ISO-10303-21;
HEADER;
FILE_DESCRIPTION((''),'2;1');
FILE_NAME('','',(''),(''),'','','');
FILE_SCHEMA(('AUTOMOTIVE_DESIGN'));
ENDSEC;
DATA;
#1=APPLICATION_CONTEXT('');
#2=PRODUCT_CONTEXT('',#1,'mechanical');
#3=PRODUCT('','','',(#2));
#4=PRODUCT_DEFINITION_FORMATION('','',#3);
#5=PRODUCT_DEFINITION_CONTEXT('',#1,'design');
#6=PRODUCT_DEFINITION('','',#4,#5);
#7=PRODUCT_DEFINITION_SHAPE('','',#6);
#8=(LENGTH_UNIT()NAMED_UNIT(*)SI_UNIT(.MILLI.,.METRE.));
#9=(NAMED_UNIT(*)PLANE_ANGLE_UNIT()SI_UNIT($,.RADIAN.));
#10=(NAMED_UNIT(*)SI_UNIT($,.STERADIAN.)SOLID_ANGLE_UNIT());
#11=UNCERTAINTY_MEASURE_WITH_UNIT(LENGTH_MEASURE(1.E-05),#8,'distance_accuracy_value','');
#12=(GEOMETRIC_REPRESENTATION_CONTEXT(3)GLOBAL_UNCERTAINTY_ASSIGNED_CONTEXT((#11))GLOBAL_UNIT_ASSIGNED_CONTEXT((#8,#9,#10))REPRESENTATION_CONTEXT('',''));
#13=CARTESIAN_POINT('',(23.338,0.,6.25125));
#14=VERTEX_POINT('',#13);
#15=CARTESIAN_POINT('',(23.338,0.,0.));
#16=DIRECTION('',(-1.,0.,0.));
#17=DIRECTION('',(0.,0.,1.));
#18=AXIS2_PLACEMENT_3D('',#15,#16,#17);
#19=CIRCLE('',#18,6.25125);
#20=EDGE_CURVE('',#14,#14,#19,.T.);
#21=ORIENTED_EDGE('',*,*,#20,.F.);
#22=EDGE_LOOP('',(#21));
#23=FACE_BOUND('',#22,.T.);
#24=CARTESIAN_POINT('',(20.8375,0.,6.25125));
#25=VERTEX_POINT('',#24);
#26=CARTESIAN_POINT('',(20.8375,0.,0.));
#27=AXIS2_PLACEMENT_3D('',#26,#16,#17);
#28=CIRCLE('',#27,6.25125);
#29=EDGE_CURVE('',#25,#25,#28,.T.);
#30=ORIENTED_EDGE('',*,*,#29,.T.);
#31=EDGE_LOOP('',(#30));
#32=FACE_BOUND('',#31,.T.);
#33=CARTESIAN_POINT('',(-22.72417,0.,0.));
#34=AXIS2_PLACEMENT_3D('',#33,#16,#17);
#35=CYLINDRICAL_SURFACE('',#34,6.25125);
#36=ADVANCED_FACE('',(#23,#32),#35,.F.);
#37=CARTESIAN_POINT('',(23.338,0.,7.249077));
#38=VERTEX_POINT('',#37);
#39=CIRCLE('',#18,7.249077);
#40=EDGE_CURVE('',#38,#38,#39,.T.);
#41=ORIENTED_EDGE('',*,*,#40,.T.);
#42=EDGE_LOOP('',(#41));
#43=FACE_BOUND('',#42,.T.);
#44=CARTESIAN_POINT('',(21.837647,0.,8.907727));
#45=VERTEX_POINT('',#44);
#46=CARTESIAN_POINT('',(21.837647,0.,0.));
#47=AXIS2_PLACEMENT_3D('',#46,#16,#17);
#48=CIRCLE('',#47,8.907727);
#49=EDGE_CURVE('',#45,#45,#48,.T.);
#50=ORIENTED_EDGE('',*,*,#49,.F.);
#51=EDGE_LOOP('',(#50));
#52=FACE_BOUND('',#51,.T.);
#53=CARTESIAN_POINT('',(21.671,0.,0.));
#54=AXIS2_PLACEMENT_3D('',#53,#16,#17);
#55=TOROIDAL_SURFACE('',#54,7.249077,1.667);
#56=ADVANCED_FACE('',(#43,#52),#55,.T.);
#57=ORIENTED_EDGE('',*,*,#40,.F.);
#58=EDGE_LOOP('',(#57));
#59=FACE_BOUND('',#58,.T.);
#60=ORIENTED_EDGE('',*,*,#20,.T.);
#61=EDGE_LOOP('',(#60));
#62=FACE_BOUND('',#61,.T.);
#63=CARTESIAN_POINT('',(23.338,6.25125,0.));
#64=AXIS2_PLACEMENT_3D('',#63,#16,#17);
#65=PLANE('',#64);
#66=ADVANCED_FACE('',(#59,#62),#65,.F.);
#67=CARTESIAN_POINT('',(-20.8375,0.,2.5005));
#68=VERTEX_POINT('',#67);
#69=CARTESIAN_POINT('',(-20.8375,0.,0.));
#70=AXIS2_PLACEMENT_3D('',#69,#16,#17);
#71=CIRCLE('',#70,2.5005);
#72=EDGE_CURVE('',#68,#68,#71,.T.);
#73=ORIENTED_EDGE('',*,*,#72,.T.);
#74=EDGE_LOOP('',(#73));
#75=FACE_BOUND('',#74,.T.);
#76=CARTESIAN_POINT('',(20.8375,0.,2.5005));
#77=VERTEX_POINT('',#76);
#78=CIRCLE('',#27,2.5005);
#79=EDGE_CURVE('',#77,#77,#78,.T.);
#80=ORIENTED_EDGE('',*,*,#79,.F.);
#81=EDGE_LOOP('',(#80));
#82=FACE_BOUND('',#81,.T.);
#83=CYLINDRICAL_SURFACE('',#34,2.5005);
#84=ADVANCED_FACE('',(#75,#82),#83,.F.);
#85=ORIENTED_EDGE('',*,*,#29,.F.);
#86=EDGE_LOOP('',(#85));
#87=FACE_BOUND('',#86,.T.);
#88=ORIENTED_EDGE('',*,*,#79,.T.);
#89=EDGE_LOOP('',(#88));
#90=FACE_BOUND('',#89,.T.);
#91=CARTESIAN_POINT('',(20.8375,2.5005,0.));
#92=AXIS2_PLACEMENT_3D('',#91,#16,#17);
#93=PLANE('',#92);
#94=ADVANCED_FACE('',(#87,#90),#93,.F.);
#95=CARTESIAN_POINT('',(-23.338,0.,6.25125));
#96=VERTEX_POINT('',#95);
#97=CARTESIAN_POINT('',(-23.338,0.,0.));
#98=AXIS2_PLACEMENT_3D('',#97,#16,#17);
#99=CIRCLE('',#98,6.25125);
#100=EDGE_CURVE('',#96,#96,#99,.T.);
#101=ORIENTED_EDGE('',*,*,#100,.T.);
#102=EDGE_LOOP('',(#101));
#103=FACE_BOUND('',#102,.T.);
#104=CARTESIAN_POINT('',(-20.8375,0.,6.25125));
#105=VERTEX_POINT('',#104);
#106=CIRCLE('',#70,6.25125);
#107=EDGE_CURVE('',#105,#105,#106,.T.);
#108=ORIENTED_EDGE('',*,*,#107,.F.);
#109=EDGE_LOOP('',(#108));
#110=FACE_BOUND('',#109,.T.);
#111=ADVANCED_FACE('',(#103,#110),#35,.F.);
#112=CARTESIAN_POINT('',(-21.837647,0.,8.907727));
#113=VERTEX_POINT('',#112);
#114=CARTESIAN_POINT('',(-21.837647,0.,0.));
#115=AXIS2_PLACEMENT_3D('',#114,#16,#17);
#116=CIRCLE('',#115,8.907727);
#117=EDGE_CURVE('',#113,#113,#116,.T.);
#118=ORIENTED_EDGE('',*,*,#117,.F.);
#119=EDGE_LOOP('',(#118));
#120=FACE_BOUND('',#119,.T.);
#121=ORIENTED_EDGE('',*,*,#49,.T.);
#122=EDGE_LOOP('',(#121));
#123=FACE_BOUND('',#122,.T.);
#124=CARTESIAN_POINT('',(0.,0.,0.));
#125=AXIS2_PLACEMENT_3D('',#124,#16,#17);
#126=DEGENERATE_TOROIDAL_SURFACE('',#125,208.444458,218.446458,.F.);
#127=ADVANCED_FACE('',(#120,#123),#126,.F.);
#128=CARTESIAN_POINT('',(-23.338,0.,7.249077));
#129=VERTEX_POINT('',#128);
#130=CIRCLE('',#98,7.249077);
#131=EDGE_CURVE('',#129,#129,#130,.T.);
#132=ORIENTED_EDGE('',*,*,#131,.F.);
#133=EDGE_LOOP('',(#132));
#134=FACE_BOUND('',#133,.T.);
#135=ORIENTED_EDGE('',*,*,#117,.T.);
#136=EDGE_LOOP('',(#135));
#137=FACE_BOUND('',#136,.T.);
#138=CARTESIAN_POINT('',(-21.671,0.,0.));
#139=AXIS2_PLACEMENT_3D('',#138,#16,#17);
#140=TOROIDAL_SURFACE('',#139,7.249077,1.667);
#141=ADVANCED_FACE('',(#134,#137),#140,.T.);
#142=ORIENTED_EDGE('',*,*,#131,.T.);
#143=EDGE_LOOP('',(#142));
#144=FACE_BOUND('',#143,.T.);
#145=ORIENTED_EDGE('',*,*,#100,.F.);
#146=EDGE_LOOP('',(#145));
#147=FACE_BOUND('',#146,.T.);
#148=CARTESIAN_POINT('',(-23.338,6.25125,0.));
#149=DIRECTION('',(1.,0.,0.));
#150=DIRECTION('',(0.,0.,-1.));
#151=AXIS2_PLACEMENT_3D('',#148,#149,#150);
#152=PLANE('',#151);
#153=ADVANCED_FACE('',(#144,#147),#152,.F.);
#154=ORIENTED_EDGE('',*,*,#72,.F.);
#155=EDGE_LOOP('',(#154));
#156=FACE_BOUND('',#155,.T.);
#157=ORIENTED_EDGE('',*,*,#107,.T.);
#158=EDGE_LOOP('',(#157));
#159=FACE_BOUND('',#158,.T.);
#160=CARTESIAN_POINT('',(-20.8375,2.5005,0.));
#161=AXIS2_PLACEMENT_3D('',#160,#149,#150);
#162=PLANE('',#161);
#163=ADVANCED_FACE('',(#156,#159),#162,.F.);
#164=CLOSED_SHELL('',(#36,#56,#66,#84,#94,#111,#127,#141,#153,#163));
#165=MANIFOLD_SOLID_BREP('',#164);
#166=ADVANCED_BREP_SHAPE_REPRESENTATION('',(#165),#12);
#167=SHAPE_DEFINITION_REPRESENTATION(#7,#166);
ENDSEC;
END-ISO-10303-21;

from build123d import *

# Parameters (mm, degrees)
SCALE1_SCALE = 1.667


with BuildPart() as part:
    # Sketch1 → Revolve1 (revolve)
    with BuildSketch(Plane.XY):
        with BuildLine():
            Line((-12.5, 1.5), (12.5, 1.5))
            Line((12.5, 1.5), (12.5, 3.75))
            Line((12.5, 3.75), (14, 3.75))
            Line((14, 3.75), (14, 4.348576665))
            ThreePointArc((14, 4.348576665), (13.741609048, 5.019408999), (13.099967959, 5.343567322))
            ThreePointArc((13.099967959, 5.343567322), (0, 6), (-13.099967959, 5.343567322))
            ThreePointArc((-13.099967959, 5.343567322), (-13.741609048, 5.019408999), (-14, 4.348576665))
            Line((-14, 4.348576665), (-14, 3.75))
            Line((-14, 3.75), (-12.5, 3.75))
            Line((-12.5, 3.75), (-12.5, 1.5))
        make_face()
    revolve(axis=Axis((-13.631775834, 0, 0), (1, 0, 0)))


with BuildPart() as part_1:
    # Scale1: scaled about (0, 0, 0)
    add(part.part.scale(SCALE1_SCALE))


solid = part_1.part
